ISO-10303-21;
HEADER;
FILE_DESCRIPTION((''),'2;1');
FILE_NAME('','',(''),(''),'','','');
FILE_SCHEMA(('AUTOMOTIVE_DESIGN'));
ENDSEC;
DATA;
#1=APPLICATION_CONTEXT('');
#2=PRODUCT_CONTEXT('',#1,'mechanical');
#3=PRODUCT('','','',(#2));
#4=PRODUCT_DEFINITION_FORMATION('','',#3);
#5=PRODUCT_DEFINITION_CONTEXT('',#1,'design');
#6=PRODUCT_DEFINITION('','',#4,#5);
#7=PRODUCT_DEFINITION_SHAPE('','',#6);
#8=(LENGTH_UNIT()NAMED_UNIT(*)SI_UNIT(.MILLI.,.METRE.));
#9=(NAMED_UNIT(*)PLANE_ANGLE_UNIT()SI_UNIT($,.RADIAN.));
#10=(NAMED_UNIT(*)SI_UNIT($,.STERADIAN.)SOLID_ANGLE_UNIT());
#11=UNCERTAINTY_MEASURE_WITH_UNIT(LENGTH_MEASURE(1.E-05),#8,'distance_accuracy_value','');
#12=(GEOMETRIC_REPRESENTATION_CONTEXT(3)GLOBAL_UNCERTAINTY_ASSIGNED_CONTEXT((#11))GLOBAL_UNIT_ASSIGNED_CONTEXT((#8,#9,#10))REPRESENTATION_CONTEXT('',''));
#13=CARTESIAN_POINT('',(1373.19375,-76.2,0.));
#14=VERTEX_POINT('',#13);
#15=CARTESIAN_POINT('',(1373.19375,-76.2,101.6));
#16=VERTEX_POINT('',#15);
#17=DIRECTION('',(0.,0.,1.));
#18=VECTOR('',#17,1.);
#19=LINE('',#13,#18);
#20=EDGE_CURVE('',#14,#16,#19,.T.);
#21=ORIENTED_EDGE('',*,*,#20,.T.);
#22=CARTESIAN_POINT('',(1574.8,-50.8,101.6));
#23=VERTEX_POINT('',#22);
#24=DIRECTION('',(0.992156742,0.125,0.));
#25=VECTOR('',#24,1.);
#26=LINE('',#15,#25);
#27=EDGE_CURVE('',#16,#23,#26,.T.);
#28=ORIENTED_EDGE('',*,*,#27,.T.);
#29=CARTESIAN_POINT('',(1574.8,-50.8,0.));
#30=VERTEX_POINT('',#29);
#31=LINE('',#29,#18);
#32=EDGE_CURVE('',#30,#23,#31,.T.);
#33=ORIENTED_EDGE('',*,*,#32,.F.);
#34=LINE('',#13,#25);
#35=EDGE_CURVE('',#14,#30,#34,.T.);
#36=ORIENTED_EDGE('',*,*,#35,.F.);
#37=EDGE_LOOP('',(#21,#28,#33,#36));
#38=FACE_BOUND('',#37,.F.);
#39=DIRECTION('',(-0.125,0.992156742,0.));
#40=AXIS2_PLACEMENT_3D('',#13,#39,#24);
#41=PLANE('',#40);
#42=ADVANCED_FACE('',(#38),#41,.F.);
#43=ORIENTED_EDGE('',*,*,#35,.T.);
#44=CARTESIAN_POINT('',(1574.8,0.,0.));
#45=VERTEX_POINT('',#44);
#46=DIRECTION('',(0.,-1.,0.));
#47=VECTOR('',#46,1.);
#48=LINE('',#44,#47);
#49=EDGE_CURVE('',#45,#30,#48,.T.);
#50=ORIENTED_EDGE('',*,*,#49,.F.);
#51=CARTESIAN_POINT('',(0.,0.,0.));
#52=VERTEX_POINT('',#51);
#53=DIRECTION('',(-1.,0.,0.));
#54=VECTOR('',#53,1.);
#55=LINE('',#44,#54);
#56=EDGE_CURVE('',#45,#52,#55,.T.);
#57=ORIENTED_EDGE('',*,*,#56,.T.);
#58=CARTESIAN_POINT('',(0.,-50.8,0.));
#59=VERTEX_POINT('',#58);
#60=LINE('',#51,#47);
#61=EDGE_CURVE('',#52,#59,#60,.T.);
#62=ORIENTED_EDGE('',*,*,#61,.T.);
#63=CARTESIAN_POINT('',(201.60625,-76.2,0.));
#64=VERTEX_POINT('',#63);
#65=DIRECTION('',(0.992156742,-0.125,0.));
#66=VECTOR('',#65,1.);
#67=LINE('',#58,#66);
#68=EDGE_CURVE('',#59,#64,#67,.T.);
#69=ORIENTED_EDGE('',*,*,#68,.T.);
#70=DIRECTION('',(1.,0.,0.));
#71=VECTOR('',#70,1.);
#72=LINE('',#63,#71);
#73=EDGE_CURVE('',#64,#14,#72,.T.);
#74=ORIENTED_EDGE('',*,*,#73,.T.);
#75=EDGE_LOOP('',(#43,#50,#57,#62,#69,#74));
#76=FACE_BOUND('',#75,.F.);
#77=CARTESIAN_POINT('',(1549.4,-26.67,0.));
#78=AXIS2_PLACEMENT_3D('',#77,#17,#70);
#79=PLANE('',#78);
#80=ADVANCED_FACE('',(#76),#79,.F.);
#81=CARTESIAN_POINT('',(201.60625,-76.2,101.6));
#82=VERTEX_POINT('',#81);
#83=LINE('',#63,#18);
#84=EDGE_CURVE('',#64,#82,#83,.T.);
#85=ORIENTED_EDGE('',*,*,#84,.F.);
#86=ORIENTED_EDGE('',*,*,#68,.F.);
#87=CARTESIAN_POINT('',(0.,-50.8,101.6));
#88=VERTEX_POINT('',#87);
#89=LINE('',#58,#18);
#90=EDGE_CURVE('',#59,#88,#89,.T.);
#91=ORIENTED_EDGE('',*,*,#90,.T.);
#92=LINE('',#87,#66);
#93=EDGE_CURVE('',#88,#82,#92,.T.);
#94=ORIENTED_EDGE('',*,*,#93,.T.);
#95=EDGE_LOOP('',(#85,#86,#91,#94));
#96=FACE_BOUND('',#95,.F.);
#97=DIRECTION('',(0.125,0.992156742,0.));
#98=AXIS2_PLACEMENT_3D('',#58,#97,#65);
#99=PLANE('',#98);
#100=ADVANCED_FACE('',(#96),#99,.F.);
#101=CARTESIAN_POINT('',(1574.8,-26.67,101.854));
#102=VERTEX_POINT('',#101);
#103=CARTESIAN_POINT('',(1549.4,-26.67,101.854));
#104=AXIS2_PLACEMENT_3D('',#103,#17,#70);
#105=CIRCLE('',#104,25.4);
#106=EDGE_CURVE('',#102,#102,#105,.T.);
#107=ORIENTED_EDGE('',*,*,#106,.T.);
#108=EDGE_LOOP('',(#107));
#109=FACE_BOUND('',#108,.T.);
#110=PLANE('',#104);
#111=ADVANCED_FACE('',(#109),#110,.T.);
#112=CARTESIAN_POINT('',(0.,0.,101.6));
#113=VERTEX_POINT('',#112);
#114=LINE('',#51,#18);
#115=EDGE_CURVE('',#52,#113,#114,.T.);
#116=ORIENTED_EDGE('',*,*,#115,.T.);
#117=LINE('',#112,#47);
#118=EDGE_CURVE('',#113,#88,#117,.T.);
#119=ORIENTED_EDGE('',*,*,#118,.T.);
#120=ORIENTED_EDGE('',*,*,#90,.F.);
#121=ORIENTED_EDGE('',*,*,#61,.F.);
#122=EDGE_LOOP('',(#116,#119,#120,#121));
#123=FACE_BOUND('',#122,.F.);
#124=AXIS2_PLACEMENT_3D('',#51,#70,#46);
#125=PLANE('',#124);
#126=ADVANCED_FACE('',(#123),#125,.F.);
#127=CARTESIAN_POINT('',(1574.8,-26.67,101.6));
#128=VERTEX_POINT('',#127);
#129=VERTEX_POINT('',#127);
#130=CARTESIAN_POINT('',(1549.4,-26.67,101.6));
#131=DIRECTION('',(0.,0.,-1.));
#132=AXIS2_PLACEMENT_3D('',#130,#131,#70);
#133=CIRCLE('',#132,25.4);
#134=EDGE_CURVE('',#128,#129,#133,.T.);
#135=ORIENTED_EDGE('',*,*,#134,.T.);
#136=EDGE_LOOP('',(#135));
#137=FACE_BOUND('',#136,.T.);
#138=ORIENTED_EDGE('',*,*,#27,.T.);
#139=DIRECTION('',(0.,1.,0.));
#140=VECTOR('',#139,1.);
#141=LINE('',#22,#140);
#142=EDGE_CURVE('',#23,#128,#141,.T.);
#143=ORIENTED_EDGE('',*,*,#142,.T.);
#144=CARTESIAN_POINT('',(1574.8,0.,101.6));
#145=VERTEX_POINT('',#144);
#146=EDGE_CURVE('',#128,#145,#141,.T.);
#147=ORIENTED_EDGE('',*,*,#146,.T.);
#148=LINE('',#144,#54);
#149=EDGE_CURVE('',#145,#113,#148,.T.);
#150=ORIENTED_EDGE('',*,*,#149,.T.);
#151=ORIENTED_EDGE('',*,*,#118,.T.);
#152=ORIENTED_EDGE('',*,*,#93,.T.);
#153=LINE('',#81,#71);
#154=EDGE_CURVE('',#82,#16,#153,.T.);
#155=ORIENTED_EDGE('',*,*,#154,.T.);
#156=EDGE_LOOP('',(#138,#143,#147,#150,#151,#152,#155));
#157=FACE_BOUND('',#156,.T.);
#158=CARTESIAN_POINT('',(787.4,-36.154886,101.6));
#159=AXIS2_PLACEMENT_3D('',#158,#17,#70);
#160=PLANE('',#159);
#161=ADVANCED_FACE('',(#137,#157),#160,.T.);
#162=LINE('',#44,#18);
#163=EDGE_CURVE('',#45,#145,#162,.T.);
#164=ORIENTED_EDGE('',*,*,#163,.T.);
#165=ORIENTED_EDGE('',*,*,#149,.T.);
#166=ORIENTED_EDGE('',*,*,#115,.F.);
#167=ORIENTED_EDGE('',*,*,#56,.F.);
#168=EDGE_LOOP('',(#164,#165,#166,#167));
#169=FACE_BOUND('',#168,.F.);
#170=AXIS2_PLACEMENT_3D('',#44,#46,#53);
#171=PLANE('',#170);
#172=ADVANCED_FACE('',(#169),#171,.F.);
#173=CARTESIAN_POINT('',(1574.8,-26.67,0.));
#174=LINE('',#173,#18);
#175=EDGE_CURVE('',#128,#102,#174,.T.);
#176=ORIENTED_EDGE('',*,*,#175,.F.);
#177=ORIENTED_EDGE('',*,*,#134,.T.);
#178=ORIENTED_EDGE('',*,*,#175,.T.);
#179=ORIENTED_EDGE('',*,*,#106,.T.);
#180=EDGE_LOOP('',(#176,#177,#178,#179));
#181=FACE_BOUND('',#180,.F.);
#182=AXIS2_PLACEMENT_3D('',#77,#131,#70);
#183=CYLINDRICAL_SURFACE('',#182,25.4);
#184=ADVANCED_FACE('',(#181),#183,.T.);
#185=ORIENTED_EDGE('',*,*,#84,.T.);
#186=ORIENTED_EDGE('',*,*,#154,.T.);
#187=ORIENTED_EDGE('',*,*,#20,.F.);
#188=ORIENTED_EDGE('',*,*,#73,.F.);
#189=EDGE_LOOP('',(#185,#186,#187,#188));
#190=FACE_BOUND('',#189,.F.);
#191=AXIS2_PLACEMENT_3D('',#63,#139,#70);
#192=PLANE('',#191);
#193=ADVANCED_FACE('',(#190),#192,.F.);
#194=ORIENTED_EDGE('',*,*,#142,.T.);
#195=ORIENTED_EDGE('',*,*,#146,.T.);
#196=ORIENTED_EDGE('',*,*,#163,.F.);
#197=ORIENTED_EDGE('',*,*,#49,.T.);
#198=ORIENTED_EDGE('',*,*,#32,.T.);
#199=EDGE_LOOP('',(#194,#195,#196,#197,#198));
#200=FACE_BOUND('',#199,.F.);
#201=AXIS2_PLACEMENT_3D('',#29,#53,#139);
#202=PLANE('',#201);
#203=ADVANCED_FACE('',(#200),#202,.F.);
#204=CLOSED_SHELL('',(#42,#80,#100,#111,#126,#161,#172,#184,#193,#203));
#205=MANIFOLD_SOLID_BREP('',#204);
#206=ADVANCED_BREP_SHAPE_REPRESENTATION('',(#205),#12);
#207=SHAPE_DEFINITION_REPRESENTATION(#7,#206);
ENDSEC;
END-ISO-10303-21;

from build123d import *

# Parameters (mm, degrees)
F0_R     = 25.4
F1_DEPTH = 101.6
F2_DEPTH = 101.854


with BuildPart() as f1:
    # F0 (on Top) → F1 (new body)
    with BuildSketch(Plane.XY):
        Polygon((1574.8, 0), (0, 0), (0, -50.8), (201.6062499031, -76.2), (1373.1937500969, -76.2), (1574.8, -50.8), (1574.8, -26.67), align=None)
        with Locations((1549.4, -26.67)):
            Circle(F0_R, mode=Mode.SUBTRACT)
        with Locations((1549.4, -26.67)):
            Circle(F0_R)
    extrude(amount=F1_DEPTH)

    # F0 (on Top) → F2 (join)
    with BuildSketch(Plane.XY):
        with Locations((1549.4, -26.67)):
            Circle(F0_R)
    extrude(amount=F2_DEPTH)


solid = f1.part
